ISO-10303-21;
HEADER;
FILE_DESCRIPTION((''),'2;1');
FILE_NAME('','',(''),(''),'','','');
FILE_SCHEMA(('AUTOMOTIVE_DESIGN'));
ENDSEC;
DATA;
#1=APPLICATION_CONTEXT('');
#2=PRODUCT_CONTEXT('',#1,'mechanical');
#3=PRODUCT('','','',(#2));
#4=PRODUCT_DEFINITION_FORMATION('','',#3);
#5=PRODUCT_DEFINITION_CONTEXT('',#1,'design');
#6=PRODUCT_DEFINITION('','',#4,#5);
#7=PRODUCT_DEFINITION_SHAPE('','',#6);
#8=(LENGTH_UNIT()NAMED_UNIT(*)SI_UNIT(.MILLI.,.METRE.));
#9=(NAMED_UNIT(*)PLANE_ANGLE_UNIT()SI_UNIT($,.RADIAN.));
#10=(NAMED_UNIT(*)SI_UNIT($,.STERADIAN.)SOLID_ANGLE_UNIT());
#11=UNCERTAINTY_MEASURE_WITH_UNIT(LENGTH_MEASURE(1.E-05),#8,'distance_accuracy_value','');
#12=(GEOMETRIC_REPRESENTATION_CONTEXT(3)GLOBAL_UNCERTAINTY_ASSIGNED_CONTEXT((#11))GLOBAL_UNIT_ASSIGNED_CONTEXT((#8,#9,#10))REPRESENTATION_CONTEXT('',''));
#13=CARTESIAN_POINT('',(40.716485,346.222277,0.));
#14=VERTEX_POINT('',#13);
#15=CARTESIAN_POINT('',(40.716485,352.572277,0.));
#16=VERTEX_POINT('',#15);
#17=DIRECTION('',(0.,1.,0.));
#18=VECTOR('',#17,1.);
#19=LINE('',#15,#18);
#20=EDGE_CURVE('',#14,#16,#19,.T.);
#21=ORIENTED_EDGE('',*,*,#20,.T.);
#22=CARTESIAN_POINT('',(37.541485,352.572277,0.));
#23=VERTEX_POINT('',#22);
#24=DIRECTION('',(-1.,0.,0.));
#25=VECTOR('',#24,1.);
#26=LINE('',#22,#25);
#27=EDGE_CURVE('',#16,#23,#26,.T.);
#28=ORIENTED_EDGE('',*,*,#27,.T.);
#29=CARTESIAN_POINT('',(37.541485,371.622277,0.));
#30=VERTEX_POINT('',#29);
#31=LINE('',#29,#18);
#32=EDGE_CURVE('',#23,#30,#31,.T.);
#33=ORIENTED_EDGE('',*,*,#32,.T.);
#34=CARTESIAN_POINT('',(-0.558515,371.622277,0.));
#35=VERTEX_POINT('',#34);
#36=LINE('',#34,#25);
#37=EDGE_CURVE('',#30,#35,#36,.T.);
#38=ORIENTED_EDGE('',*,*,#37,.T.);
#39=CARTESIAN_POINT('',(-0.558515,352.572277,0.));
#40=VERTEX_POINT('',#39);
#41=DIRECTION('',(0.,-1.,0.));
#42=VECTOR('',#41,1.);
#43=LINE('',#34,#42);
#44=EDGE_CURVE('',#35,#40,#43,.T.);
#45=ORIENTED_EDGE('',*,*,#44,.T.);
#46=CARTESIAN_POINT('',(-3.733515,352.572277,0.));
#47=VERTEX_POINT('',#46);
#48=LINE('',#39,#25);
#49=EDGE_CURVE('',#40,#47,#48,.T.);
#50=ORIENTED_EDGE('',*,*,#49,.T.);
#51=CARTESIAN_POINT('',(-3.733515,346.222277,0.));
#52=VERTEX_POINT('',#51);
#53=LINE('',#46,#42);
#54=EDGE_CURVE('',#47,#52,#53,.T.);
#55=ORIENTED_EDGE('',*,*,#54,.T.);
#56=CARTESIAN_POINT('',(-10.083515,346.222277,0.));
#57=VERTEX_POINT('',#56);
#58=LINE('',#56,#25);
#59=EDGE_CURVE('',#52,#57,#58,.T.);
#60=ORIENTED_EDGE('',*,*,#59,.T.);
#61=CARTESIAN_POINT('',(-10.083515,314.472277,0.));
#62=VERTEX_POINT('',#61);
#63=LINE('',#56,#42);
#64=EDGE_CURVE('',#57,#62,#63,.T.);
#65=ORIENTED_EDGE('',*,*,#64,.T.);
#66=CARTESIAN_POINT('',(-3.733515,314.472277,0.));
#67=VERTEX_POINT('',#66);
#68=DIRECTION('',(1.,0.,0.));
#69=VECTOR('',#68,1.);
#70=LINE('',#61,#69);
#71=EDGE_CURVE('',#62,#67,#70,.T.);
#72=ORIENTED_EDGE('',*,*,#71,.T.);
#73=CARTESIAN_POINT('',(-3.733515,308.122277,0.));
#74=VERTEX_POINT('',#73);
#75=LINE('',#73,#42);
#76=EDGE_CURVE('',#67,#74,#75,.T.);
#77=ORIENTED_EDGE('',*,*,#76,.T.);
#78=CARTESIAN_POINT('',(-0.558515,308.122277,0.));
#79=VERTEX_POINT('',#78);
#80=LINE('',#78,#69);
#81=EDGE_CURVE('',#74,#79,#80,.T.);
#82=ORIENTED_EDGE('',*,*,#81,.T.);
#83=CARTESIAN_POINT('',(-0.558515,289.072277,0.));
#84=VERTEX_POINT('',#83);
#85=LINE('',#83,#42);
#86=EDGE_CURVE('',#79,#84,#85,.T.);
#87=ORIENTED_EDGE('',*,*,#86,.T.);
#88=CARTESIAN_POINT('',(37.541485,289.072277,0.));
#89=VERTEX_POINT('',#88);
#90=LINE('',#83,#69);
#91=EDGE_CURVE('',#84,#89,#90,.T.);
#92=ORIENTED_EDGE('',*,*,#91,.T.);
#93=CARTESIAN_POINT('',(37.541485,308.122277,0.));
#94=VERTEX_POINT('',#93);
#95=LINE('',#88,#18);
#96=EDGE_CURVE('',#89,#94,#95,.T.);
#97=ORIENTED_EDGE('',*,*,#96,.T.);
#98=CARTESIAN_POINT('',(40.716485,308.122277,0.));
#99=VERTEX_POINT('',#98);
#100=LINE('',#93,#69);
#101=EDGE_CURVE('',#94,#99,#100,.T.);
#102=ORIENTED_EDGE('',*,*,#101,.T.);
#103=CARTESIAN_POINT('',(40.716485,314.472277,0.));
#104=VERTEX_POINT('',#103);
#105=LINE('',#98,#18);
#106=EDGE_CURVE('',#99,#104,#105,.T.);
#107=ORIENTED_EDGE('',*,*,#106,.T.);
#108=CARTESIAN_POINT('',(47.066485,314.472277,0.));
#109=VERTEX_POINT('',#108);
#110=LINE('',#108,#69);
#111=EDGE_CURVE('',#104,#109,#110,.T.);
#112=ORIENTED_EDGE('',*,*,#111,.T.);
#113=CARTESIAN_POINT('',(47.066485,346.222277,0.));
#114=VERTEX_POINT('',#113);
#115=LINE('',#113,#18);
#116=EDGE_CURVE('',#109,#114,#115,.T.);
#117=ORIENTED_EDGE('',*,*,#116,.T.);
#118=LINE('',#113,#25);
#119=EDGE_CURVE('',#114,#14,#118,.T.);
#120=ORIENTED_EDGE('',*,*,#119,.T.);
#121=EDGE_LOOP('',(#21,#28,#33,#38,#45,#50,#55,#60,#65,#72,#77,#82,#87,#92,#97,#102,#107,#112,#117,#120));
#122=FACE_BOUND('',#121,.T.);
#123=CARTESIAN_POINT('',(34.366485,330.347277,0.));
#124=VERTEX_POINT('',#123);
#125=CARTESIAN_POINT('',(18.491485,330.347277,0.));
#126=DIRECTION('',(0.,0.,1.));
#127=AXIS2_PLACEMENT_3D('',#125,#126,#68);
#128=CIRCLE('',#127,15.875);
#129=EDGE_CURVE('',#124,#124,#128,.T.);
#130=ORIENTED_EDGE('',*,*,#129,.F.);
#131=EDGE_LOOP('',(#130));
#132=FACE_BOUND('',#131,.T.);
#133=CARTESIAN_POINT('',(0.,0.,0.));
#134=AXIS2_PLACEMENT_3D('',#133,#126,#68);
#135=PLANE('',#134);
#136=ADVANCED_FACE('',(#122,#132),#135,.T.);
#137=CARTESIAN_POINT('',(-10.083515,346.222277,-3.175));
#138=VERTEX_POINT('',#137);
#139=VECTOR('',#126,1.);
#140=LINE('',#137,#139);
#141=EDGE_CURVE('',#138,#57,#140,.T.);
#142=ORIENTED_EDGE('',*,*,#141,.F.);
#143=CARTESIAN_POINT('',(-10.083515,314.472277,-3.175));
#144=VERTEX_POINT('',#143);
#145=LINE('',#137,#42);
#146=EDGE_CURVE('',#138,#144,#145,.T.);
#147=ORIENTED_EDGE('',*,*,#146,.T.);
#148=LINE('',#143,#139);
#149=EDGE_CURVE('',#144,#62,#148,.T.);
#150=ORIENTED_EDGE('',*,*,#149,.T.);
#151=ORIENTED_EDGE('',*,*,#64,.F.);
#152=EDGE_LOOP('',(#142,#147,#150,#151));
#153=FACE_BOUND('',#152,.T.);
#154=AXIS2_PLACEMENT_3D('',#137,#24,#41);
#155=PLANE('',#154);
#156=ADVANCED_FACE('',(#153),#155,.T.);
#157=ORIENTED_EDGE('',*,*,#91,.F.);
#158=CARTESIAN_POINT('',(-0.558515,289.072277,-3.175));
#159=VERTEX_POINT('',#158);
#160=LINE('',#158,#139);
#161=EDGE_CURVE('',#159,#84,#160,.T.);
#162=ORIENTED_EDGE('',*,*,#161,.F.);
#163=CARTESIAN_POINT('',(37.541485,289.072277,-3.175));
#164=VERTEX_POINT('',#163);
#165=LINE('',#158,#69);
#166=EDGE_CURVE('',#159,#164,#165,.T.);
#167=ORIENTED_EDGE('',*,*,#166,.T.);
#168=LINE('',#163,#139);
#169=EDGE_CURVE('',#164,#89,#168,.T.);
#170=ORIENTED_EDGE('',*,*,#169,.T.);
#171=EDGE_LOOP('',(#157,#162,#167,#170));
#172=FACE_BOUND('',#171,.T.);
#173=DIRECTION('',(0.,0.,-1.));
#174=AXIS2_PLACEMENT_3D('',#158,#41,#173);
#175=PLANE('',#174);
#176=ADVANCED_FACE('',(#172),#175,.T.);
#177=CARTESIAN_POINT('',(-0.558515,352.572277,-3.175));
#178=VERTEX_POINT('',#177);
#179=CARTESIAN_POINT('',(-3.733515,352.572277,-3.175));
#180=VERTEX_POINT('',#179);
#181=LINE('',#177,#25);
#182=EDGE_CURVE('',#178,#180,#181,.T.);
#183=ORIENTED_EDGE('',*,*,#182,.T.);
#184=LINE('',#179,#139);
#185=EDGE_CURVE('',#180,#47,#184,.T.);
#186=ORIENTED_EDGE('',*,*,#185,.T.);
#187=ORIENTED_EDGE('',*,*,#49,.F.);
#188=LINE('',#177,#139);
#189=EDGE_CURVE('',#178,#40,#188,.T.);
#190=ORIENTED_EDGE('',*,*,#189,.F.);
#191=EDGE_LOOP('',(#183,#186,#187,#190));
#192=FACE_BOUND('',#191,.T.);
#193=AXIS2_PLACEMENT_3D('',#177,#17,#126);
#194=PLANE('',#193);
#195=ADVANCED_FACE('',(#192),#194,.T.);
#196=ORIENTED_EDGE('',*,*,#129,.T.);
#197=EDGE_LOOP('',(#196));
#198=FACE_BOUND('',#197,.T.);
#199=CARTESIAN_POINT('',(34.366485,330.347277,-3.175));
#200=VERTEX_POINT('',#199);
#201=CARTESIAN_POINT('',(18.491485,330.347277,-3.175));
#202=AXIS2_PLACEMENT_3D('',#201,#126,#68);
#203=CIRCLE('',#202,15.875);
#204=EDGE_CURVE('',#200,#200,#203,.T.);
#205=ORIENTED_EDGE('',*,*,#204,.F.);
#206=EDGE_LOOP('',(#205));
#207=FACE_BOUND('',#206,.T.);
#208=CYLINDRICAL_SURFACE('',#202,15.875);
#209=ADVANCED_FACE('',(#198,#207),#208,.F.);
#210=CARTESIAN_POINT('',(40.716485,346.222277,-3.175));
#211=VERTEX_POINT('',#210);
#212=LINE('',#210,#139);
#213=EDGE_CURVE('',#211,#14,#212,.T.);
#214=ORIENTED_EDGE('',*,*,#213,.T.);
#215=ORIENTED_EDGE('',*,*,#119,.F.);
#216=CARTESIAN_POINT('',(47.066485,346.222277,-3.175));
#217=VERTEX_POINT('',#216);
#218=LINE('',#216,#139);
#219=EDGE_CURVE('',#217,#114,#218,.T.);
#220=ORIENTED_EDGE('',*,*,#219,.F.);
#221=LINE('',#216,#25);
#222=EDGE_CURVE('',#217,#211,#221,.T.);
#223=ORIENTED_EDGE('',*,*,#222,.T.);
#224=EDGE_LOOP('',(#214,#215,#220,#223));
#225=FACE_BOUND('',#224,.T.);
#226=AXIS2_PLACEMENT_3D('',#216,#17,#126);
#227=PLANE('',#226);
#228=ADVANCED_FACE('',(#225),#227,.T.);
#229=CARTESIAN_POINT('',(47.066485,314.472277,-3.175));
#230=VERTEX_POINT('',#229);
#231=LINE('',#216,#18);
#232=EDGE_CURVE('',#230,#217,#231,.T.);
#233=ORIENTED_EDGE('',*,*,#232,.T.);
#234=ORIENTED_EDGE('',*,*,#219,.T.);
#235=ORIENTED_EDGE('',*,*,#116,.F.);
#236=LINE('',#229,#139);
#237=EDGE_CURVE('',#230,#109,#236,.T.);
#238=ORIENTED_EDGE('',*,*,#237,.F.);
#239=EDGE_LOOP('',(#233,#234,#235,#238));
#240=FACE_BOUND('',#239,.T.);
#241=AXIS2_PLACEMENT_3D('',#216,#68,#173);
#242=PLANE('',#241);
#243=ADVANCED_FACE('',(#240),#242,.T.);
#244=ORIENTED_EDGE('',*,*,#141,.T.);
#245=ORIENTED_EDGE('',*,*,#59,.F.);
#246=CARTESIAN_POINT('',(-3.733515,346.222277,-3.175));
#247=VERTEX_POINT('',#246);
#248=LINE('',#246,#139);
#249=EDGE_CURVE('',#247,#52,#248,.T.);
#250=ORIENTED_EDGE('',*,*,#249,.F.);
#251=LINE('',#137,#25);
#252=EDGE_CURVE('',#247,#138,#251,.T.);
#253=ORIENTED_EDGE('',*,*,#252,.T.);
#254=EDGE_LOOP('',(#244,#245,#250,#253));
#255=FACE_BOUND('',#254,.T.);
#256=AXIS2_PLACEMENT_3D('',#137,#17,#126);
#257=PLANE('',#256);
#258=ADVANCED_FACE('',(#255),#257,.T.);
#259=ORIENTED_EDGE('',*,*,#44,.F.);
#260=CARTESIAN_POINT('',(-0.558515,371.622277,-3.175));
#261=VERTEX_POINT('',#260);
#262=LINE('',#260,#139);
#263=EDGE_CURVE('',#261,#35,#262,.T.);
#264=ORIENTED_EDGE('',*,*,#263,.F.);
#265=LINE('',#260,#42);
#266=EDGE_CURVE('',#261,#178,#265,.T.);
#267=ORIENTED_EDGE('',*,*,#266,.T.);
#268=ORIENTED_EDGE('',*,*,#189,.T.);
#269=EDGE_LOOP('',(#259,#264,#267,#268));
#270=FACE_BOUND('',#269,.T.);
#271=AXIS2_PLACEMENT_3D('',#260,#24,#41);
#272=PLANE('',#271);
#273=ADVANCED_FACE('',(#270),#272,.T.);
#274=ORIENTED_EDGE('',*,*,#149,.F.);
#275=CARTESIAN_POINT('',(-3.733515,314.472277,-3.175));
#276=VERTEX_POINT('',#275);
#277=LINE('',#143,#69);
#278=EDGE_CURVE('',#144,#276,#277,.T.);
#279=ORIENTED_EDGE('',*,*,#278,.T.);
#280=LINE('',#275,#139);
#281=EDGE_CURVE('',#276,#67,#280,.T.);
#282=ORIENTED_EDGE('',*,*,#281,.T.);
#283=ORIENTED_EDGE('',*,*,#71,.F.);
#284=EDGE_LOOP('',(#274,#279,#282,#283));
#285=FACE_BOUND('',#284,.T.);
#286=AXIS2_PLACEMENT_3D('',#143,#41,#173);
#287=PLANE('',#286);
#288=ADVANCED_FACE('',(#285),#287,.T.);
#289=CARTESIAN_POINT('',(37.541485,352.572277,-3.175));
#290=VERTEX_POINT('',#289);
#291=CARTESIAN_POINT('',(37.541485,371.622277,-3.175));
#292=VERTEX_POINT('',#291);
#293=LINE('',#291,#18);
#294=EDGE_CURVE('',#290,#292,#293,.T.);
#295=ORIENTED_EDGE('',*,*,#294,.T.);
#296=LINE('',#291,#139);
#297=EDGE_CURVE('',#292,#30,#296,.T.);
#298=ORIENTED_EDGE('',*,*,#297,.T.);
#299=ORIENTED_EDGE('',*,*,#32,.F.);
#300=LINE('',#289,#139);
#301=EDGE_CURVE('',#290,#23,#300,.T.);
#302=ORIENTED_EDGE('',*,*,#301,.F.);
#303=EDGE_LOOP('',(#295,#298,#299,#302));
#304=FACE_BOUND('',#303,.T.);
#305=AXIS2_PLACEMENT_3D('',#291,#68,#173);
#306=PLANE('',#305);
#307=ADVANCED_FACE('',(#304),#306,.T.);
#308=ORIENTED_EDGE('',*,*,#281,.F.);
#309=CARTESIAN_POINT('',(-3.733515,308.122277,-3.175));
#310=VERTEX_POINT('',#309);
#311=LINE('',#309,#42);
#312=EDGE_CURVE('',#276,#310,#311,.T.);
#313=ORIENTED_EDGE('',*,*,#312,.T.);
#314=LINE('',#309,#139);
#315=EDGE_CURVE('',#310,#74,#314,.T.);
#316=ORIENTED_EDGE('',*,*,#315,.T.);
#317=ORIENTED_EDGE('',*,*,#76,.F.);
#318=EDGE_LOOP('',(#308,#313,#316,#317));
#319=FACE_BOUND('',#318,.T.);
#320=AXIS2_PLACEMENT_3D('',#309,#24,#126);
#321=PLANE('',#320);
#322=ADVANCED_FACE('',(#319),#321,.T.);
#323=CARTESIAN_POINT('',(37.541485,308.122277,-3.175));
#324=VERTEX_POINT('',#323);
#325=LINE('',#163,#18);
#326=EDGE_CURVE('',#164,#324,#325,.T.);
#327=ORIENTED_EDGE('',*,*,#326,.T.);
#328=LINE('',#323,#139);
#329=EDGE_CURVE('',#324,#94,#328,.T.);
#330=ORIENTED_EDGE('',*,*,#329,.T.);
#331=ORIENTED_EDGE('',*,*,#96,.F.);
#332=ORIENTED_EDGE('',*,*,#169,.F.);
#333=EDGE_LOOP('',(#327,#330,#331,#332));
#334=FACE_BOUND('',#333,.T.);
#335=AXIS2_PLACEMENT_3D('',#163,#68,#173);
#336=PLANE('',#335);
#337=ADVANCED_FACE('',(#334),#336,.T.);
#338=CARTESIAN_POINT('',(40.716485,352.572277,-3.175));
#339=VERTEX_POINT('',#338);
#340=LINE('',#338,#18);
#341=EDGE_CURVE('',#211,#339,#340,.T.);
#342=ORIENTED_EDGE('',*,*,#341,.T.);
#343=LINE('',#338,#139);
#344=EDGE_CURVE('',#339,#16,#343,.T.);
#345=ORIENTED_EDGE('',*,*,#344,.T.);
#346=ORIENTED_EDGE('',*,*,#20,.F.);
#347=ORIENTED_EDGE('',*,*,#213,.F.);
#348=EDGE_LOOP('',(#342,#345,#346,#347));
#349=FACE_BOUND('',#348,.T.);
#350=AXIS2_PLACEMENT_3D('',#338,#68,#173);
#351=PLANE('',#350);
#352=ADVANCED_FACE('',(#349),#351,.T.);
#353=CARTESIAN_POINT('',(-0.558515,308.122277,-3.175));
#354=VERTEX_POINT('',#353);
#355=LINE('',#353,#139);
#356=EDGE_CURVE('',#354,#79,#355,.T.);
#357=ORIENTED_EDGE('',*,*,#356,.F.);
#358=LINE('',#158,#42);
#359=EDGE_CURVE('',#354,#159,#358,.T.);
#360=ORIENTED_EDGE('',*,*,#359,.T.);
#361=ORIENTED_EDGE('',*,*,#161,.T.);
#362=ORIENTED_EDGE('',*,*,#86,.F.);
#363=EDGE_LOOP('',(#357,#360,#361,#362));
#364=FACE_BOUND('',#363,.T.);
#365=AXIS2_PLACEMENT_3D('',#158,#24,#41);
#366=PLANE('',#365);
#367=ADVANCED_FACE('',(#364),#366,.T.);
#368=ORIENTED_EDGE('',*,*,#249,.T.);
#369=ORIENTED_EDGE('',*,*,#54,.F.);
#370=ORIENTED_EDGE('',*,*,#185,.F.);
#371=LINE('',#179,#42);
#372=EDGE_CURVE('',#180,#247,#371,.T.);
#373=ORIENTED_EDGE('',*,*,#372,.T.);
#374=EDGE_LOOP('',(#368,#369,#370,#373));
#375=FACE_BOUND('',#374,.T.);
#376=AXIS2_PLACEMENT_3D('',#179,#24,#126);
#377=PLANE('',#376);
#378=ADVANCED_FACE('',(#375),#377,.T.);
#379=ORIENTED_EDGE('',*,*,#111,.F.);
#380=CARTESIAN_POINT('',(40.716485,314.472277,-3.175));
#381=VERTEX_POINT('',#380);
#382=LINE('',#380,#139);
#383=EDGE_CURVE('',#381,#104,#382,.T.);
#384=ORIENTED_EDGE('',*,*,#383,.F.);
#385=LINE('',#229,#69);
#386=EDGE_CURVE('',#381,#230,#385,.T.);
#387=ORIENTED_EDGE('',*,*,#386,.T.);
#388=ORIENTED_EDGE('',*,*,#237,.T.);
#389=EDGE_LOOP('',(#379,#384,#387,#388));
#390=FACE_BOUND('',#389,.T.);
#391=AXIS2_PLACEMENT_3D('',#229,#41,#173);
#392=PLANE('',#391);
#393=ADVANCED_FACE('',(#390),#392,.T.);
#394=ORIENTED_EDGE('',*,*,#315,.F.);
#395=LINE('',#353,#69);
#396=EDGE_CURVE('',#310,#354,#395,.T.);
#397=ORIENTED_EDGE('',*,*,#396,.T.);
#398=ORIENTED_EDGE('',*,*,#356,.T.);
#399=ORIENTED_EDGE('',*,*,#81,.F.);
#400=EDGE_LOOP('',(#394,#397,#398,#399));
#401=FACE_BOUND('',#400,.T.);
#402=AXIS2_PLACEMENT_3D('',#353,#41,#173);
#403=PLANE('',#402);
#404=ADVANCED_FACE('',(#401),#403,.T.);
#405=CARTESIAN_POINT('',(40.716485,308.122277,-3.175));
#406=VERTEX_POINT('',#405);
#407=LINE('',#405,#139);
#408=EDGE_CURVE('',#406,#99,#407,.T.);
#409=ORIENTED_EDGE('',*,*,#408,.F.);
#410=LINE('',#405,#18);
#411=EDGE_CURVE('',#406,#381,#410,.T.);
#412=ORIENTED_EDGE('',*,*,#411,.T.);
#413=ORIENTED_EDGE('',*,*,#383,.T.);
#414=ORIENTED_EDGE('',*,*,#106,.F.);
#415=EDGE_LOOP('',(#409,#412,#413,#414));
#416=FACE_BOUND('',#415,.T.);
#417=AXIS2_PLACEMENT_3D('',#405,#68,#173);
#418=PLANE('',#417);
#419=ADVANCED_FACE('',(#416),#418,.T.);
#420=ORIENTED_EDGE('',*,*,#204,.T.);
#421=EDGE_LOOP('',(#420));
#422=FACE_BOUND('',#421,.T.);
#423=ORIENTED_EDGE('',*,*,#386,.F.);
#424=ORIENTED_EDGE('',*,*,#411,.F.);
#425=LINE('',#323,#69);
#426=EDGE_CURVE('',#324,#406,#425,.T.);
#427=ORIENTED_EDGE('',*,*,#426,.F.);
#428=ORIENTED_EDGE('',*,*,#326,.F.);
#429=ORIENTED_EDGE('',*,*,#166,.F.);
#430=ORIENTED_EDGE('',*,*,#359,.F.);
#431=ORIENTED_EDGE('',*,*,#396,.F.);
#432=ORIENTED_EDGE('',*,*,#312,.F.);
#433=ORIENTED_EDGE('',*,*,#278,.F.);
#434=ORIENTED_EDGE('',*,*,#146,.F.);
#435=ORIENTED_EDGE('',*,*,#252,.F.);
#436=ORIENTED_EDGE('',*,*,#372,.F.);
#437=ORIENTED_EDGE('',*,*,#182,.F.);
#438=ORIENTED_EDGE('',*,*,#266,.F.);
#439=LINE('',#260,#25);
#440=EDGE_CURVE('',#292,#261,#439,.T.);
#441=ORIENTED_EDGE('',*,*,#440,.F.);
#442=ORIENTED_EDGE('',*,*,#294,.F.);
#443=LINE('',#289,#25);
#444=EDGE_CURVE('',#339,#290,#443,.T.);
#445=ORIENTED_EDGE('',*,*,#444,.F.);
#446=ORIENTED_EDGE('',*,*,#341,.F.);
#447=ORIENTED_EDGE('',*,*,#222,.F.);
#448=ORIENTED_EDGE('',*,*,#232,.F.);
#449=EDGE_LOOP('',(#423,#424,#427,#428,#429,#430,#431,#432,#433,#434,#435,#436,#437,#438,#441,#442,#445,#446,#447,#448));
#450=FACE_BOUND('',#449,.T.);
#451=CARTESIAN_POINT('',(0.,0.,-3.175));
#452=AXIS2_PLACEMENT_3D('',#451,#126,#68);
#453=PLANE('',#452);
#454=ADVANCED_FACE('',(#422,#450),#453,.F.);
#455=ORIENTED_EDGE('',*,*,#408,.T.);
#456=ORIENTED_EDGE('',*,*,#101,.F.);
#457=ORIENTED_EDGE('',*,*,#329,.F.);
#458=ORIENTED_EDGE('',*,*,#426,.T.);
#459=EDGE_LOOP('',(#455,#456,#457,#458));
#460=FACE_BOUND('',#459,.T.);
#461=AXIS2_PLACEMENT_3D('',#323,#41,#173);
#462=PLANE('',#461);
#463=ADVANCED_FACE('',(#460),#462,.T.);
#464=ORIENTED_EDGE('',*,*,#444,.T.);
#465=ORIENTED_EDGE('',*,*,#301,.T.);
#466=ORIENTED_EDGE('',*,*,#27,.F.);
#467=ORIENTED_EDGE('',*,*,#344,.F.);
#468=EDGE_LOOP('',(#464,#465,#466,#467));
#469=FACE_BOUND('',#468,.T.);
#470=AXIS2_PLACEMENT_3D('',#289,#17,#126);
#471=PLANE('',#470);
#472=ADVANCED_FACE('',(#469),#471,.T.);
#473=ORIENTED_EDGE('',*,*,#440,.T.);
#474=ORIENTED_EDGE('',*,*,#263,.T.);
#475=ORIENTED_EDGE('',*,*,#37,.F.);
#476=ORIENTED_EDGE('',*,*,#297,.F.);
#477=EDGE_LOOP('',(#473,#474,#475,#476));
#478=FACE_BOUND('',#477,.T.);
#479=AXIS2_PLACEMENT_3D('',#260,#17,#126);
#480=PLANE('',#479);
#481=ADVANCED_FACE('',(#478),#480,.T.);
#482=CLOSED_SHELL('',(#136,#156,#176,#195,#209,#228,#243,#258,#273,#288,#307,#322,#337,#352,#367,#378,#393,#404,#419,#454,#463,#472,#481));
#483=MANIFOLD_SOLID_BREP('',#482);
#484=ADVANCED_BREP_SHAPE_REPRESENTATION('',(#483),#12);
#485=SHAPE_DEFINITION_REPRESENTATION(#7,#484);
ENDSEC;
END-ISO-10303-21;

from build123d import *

# Parameters (mm, degrees)
SKETCH1_R           = 15.875
BOSS_EXTRUDE1_DEPTH = 3.175


with BuildPart() as part:
    # Sketch1 → Boss-Extrude1 (new body)
    with BuildSketch(Plane.XY):
        Polygon((-0.558515458, 289.07227709), (37.541484542, 289.07227709), (37.541484542, 308.12227709), (40.716484541, 308.12227709), (40.716484541, 314.47227709), (47.06648454, 314.47227709), (47.06648454, 346.22227709), (40.716484541, 346.22227709), (40.716484541, 352.57227709), (37.541484542, 352.57227709), (37.541484542, 371.62227709), (-0.558515458, 371.62227709), (-0.558515458, 352.57227709), (-3.733515459, 352.57227709), (-3.733515459, 346.22227709), (-10.083515458, 346.22227709), (-10.083515458, 314.47227709), (-3.733515459, 314.47227709), (-3.733515459, 308.12227709), (-0.558515458, 308.12227709), align=None)
        with Locations((18.491484542, 330.34727709)):
            Circle(SKETCH1_R, mode=Mode.SUBTRACT)
    extrude(amount=-BOSS_EXTRUDE1_DEPTH)


solid = part.part
